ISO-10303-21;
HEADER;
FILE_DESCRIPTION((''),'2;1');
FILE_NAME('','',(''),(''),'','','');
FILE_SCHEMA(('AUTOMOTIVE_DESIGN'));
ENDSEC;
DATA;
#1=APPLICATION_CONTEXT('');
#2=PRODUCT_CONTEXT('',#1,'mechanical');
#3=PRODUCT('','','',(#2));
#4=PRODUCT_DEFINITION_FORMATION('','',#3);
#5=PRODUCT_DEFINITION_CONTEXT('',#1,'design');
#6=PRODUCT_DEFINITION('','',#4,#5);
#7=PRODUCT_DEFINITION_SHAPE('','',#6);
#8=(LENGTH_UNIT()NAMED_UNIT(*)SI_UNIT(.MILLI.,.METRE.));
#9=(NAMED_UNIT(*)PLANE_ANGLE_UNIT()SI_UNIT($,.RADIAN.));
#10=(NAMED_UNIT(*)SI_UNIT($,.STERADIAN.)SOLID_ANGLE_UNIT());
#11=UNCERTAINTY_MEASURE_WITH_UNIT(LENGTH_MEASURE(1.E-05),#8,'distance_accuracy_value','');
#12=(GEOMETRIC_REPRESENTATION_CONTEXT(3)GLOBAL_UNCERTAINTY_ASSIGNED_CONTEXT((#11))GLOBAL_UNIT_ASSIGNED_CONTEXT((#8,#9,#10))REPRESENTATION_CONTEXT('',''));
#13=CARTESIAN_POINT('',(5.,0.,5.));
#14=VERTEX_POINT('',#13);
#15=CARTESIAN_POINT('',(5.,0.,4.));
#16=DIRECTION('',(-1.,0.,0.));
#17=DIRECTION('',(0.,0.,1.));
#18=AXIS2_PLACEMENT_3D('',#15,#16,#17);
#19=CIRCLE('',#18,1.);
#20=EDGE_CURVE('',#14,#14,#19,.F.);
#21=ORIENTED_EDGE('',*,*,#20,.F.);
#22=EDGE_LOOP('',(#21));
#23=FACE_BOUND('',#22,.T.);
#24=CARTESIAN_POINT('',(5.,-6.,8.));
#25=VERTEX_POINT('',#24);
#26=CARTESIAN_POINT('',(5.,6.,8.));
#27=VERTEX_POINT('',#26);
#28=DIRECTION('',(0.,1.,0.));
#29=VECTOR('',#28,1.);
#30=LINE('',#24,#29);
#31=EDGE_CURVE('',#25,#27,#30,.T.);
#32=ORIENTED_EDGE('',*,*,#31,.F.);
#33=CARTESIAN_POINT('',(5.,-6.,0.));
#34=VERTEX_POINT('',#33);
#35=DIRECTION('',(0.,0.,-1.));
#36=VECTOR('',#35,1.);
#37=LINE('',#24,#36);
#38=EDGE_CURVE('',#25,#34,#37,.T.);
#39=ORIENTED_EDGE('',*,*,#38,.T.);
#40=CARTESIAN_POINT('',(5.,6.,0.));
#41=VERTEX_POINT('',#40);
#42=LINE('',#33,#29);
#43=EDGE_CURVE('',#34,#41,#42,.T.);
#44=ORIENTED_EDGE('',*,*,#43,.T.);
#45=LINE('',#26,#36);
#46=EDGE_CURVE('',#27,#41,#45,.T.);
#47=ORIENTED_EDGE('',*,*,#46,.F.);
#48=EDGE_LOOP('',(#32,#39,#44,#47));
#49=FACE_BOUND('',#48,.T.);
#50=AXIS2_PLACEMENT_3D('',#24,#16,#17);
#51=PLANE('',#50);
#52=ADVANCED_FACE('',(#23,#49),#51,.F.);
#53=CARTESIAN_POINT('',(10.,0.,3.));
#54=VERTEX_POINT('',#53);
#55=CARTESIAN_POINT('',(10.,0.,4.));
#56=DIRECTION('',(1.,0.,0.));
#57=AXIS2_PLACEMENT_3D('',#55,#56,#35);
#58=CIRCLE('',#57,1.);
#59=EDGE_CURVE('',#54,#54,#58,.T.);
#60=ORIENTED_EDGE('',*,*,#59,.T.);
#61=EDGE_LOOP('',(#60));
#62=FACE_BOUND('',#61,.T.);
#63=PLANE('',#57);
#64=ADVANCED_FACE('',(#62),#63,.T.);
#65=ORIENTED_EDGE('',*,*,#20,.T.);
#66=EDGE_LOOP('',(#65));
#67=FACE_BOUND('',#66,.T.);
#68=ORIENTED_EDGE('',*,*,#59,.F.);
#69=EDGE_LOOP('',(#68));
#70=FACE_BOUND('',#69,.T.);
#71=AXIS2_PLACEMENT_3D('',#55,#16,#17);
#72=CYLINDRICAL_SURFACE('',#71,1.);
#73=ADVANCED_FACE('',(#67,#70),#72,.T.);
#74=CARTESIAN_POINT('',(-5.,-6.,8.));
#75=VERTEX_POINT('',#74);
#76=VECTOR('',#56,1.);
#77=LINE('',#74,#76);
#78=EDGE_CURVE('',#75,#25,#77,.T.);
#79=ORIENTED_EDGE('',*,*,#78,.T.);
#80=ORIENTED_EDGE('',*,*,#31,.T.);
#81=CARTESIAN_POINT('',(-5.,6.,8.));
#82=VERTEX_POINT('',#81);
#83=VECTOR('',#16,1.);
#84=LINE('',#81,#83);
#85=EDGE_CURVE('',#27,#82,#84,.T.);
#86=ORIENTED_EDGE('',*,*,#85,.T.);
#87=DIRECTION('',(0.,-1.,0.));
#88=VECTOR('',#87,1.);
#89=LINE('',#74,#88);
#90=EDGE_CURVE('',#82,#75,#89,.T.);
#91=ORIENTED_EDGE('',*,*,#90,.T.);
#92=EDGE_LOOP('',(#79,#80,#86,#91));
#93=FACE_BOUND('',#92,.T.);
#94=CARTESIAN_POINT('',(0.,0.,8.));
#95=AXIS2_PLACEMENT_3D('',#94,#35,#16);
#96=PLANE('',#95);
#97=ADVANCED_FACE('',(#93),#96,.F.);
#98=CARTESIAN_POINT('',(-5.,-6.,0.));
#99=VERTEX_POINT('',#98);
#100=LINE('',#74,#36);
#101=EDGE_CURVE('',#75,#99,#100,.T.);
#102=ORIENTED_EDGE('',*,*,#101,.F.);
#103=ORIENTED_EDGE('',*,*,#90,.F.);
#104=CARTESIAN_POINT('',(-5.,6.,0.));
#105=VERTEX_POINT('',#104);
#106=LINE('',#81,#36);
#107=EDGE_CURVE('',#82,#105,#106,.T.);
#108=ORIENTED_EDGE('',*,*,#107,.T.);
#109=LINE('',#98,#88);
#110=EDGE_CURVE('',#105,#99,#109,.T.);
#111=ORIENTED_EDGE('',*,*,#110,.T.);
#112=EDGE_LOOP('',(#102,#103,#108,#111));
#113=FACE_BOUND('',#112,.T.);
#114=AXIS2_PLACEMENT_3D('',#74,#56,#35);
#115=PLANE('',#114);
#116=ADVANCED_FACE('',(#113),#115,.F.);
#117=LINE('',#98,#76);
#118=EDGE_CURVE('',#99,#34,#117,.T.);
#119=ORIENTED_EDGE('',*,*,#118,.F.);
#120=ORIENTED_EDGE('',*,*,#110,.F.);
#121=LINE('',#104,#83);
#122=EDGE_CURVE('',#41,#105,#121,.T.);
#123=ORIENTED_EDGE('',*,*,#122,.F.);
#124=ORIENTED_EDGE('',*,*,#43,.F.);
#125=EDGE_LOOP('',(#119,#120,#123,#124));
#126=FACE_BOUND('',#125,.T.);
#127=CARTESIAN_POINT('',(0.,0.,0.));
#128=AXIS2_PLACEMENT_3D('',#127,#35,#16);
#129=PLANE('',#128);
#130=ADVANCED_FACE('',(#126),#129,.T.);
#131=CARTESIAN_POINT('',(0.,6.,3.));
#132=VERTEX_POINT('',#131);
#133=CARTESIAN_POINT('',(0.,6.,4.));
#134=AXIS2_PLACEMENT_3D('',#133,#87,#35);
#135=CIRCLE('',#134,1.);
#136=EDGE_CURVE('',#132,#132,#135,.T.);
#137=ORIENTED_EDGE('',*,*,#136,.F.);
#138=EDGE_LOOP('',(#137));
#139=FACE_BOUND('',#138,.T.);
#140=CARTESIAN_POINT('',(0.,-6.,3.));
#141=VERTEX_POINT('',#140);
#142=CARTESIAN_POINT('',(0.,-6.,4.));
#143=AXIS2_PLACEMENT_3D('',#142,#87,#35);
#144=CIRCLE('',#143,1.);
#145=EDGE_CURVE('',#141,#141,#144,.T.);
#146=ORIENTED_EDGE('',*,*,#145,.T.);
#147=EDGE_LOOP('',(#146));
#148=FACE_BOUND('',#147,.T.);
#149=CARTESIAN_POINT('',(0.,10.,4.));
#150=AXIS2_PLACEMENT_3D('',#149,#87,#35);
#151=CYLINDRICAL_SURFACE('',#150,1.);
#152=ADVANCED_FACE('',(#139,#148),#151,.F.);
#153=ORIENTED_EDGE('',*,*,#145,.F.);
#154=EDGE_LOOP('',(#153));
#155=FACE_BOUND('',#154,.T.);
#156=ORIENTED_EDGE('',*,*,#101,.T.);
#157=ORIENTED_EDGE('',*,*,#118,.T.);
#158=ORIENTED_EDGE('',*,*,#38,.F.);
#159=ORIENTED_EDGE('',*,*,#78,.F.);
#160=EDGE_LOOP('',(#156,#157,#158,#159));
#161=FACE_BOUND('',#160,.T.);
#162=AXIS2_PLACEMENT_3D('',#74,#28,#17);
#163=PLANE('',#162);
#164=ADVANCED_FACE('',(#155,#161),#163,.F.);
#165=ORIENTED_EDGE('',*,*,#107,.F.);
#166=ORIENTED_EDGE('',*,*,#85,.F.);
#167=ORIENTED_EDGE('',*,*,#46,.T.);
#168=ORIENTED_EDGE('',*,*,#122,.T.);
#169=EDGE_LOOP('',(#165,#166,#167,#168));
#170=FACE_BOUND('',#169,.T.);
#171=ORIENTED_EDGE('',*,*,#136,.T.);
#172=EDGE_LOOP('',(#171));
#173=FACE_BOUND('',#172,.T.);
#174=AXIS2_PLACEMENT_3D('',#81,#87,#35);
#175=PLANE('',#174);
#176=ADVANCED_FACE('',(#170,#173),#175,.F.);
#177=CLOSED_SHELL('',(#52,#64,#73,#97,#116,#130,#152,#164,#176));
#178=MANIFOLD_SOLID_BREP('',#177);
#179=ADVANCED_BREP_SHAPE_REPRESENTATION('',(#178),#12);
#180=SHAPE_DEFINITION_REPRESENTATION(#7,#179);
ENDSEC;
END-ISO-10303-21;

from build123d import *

# Parameters (mm, degrees)
SKETCH_1_W          = 10
SKETCH_1_H          = 12
EXTRUDE_1_DEPTH     = 8
SKETCH_5_R          = 1
EXTRUDE_4_DEPTH     = 5
SKETCH_6_R          = 1
CUT_EXTRUDE_1_DEPTH = 16


with BuildPart() as part:
    # 草图1 → 凸台-拉伸1 (new body)
    with BuildSketch(Plane.XY):
        Rectangle(SKETCH_1_W, SKETCH_1_H)
    extrude(amount=EXTRUDE_1_DEPTH)

    # 草图5 → 凸台-拉伸4 (add)
    with BuildSketch(Plane(origin=(5, 0, 0), x_dir=(0, 0, -1), z_dir=(1, 0, 0))):
        with Locations(Location((-4, 0, 0), (0, 0, 180))):
            Circle(SKETCH_5_R)
    extrude(amount=EXTRUDE_4_DEPTH)

    # 草图6 → 切除-拉伸1 (cut)
    with BuildSketch(Plane.XZ.offset(6)):
        with Locations(Location((0, 4, 0), (0, 0, 270))):
            Circle(SKETCH_6_R)
    extrude(amount=-CUT_EXTRUDE_1_DEPTH, mode=Mode.SUBTRACT)


solid = part.part
